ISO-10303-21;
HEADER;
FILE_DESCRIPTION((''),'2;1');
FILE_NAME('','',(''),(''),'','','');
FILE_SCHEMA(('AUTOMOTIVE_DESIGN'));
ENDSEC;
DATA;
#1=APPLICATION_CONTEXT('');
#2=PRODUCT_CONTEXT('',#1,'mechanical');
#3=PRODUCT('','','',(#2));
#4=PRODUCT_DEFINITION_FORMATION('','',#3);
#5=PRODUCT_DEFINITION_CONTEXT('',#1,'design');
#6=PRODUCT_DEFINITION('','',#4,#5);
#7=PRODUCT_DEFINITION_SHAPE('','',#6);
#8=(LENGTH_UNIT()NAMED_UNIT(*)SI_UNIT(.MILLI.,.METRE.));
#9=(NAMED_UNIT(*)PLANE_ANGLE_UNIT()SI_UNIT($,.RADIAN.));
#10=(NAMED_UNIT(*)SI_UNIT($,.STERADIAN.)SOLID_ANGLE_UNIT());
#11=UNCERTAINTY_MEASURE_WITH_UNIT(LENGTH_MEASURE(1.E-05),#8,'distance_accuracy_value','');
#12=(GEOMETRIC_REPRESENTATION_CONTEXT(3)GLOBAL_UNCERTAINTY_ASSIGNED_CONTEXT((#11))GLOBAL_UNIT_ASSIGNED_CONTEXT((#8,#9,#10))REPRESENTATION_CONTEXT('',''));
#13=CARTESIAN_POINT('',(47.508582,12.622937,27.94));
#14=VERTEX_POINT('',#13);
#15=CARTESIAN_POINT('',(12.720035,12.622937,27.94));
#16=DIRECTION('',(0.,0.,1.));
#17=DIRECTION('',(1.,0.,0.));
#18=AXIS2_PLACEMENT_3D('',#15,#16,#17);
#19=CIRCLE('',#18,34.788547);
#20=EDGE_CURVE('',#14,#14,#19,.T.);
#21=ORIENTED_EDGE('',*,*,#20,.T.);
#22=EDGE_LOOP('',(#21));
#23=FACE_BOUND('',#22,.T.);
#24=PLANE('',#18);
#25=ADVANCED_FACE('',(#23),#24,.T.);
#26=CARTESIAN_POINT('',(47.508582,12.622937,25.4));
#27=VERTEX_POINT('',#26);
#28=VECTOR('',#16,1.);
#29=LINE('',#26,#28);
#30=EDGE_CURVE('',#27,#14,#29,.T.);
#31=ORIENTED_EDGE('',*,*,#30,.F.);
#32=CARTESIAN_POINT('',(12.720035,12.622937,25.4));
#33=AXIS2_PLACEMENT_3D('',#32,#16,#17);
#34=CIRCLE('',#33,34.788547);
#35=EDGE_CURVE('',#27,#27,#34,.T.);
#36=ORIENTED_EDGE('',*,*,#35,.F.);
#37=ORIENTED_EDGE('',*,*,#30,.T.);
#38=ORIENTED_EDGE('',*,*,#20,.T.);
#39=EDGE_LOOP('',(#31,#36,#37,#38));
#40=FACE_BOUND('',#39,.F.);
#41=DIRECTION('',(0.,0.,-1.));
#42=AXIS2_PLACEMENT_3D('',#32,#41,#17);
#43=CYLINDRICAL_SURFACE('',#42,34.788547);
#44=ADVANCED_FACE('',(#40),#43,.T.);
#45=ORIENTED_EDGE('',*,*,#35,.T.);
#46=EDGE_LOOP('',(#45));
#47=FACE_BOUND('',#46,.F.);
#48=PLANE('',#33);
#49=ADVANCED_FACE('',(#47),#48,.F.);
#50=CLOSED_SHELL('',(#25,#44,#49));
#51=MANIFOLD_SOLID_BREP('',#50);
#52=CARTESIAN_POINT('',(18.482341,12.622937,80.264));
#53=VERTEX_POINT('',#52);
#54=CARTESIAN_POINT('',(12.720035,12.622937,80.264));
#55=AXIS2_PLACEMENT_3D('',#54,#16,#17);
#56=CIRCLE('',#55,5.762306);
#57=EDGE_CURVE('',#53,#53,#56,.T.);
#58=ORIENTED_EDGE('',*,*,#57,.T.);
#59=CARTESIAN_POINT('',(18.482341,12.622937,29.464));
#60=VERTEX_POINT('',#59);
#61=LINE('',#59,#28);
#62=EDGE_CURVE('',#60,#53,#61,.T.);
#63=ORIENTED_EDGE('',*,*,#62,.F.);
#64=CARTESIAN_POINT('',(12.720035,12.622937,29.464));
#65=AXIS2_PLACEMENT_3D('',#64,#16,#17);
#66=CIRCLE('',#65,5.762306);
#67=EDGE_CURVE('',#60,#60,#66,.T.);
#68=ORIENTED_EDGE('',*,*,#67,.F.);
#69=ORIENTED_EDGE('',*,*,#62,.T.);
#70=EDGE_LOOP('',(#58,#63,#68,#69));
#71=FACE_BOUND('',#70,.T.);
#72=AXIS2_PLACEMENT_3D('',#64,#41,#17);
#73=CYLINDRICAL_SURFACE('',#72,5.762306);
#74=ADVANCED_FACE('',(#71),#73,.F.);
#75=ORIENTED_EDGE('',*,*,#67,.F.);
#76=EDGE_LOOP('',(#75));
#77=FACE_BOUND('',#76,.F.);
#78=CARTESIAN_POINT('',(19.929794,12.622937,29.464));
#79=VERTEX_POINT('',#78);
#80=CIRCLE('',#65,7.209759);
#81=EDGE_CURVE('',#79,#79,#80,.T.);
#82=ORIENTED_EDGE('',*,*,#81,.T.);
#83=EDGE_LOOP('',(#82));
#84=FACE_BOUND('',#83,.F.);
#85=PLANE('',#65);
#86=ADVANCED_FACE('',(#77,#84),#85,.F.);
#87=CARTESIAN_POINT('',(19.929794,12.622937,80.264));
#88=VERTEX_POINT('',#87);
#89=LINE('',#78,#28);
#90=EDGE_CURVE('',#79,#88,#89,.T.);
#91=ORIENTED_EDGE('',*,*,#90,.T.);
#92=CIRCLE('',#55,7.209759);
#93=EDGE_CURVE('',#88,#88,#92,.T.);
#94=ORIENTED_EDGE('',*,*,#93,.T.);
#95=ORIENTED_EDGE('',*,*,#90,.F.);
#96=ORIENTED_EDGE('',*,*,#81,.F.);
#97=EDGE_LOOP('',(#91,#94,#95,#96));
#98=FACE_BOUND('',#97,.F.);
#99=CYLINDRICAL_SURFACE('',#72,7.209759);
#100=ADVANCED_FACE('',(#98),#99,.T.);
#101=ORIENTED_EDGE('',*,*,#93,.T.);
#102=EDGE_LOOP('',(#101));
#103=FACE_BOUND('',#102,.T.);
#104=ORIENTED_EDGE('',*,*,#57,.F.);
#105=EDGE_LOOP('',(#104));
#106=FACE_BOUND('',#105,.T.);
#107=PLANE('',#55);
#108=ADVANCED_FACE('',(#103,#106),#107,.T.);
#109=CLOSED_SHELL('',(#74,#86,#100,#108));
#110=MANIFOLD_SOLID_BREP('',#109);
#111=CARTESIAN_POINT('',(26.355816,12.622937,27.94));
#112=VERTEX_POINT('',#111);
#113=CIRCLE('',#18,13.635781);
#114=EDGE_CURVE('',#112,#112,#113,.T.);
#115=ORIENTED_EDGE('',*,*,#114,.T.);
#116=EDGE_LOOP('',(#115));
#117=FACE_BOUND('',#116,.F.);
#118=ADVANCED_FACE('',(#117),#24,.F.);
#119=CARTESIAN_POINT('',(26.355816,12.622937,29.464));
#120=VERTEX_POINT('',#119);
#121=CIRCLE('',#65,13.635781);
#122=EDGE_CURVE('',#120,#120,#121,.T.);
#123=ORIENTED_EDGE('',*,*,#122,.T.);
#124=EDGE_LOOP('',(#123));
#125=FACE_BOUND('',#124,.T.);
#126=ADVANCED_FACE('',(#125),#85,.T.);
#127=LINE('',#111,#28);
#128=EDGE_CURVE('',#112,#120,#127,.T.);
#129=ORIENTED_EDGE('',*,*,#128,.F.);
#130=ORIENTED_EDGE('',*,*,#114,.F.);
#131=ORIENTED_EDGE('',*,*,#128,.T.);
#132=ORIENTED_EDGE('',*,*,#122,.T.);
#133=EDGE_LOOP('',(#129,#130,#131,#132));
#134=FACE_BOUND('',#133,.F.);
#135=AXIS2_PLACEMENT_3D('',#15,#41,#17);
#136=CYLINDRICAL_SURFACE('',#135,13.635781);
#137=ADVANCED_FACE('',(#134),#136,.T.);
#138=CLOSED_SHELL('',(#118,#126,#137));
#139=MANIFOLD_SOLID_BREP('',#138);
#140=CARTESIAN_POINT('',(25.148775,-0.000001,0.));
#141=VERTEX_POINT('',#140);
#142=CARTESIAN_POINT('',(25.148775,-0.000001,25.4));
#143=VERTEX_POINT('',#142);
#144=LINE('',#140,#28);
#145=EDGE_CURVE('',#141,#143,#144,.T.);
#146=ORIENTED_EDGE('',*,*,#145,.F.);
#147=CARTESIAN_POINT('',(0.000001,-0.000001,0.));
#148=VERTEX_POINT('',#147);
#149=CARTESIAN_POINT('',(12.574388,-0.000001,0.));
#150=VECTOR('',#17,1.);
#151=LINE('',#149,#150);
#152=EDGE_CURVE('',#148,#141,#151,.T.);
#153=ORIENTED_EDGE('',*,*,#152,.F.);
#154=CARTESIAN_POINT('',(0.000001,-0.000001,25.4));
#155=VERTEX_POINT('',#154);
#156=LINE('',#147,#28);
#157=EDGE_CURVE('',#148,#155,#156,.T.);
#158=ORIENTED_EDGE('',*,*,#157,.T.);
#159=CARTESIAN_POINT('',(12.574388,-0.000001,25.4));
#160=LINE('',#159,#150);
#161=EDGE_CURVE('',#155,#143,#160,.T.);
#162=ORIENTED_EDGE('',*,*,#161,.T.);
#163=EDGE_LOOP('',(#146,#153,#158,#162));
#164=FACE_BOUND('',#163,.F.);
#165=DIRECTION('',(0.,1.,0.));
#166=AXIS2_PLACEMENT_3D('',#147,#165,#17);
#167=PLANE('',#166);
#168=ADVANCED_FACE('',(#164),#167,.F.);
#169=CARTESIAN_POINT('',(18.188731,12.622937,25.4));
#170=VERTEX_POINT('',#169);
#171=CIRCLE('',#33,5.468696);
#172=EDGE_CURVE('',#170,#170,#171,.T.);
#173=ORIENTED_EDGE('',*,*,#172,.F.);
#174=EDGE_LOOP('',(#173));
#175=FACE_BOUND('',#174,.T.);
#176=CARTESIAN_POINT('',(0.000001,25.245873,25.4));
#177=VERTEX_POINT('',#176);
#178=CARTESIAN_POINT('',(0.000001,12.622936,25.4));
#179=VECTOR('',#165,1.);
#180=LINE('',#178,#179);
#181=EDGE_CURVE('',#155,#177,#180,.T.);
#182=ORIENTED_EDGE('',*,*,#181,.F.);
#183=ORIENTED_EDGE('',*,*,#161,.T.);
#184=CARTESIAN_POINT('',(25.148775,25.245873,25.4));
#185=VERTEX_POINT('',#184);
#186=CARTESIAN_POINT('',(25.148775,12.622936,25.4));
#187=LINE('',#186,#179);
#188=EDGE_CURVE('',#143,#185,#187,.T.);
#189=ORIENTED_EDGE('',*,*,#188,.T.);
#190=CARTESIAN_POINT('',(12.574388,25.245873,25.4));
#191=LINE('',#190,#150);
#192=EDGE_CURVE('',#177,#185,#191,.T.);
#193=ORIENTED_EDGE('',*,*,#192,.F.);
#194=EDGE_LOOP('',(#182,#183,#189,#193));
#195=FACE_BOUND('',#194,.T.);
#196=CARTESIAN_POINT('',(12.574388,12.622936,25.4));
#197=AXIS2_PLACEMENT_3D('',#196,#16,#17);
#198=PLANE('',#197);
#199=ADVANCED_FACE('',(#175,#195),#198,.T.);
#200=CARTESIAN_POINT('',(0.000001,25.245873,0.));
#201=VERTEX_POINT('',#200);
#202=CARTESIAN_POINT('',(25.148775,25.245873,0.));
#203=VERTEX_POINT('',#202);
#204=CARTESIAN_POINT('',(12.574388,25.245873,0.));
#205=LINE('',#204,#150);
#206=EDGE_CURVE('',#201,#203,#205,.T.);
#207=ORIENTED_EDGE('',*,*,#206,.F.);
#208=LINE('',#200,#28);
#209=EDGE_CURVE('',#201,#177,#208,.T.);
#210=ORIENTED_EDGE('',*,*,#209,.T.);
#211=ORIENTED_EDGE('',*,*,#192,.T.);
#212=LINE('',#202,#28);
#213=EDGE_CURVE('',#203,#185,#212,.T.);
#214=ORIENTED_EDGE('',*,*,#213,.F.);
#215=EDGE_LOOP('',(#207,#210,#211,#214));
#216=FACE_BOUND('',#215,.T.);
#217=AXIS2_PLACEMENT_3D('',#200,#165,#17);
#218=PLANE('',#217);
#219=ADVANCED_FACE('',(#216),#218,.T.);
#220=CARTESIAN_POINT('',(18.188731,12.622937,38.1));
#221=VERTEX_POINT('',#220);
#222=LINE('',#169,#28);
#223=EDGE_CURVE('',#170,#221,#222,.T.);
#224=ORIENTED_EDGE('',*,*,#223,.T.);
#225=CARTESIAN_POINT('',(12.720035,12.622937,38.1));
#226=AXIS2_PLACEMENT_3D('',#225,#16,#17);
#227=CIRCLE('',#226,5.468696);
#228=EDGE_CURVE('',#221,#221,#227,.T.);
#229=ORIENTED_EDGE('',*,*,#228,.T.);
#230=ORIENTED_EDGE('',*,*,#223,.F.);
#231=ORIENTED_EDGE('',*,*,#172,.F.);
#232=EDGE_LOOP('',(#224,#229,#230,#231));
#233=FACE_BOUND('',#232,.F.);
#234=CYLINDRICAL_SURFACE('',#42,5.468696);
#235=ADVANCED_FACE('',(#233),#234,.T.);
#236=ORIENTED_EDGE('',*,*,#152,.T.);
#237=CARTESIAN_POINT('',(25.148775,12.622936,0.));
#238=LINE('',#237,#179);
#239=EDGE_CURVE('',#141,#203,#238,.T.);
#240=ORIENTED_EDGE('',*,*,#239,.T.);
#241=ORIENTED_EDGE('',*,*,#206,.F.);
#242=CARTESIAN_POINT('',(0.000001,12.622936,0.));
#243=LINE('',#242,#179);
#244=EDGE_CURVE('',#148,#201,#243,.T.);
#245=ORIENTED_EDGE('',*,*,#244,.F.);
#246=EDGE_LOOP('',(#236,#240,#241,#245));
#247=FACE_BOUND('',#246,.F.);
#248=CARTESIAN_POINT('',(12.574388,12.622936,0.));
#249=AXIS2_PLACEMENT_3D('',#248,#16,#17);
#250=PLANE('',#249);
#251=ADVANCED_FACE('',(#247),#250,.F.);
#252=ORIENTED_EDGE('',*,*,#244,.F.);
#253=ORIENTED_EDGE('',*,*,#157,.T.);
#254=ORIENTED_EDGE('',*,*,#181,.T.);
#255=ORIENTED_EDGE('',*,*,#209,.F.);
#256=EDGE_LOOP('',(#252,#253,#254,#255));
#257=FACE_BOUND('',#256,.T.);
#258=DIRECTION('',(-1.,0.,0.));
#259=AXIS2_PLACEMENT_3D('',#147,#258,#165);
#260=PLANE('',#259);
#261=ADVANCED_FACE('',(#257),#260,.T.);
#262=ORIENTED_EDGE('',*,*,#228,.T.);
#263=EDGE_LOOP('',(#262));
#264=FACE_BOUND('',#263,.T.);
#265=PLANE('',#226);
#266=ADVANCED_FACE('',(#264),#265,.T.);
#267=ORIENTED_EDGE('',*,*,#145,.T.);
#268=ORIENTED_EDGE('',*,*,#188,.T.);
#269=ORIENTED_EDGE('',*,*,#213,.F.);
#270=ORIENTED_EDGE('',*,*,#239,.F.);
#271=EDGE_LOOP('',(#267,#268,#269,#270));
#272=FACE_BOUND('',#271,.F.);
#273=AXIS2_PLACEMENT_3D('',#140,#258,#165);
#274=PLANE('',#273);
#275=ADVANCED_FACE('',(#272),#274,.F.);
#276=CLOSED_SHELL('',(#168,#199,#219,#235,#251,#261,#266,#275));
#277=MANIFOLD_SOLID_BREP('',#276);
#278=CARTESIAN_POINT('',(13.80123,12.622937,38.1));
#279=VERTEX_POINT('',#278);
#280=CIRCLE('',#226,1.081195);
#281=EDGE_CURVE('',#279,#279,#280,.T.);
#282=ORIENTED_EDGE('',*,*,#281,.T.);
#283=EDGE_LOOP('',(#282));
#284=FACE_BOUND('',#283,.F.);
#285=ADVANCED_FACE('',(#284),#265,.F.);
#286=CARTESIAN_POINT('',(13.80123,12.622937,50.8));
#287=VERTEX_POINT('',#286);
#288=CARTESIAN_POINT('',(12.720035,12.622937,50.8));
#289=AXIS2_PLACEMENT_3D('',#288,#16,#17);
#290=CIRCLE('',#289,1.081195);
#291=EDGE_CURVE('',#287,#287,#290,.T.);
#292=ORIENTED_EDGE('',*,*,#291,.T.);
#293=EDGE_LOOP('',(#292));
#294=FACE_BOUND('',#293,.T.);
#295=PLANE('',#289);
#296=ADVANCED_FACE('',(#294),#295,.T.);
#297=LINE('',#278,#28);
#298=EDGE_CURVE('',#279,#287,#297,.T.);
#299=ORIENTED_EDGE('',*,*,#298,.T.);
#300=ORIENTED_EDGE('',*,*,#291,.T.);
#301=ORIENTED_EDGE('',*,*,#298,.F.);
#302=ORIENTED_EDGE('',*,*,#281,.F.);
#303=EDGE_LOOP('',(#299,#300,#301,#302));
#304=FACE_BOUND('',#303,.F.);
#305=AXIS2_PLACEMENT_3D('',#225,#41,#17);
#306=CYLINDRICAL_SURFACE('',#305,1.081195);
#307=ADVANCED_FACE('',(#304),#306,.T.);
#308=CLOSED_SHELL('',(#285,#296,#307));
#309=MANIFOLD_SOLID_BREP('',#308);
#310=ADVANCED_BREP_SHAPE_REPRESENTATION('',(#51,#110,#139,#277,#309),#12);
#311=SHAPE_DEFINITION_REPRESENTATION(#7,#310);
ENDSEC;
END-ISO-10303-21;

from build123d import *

# Parameters (mm, degrees)
F0_W      = 25.148775
F0_H      = 25.245873
F1_DEPTH  = 25.4
F2_R      = 5.468696
F3_DEPTH  = 12.7
F4_R      = 1.081195
F5_DEPTH  = 12.7
F6_R      = 34.788547
F7_DEPTH  = 2.54
F8_R      = 13.635781
F9_DEPTH  = 1.524
F10_R     = 7.209759
F10_R_2   = 5.762306
F11_DEPTH = 50.8


with BuildPart() as f1:
    # F0 (on Top) → F1 (new body)
    with BuildSketch(Plane.XY):
        with Locations((12.574388, 12.622936)):
            Rectangle(F0_W, F0_H)
    extrude(amount=F1_DEPTH)

    # F2 (on face) → F3 (join)
    with BuildSketch(Plane.XY.offset(25.4)):
        with Locations((12.720035, 12.622937)):
            Circle(F2_R)
    extrude(amount=F3_DEPTH)


with BuildPart() as f5:
    # F4 (on face) → F5 (new body)
    with BuildSketch(Plane.XY.offset(38.1)):
        with Locations((12.720035, 12.622937)):
            Circle(F4_R)
    extrude(amount=F5_DEPTH)


with BuildPart() as f7:
    # F6 (on face) → F7 (new body)
    with BuildSketch(Plane.XY.offset(25.4)):
        with Locations((12.720035, 12.622937)):
            Circle(F6_R)
    extrude(amount=F7_DEPTH)


with BuildPart() as f9:
    # F8 (on face) → F9 (new body)
    with BuildSketch(Plane.XY.offset(27.94)):
        with Locations((12.720035, 12.622937)):
            Circle(F8_R)
    extrude(amount=F9_DEPTH)


with BuildPart() as f11:
    # F10 (on face) → F11 (new body)
    with BuildSketch(Plane.XY.offset(29.464)):
        with Locations((12.720035, 12.622937)):
            Circle(F10_R)
        with Locations((12.720035, 12.622937)):
            Circle(F10_R_2, mode=Mode.SUBTRACT)
    extrude(amount=F11_DEPTH)


solid = Compound([f1.part, f5.part, f7.part, f9.part, f11.part])
